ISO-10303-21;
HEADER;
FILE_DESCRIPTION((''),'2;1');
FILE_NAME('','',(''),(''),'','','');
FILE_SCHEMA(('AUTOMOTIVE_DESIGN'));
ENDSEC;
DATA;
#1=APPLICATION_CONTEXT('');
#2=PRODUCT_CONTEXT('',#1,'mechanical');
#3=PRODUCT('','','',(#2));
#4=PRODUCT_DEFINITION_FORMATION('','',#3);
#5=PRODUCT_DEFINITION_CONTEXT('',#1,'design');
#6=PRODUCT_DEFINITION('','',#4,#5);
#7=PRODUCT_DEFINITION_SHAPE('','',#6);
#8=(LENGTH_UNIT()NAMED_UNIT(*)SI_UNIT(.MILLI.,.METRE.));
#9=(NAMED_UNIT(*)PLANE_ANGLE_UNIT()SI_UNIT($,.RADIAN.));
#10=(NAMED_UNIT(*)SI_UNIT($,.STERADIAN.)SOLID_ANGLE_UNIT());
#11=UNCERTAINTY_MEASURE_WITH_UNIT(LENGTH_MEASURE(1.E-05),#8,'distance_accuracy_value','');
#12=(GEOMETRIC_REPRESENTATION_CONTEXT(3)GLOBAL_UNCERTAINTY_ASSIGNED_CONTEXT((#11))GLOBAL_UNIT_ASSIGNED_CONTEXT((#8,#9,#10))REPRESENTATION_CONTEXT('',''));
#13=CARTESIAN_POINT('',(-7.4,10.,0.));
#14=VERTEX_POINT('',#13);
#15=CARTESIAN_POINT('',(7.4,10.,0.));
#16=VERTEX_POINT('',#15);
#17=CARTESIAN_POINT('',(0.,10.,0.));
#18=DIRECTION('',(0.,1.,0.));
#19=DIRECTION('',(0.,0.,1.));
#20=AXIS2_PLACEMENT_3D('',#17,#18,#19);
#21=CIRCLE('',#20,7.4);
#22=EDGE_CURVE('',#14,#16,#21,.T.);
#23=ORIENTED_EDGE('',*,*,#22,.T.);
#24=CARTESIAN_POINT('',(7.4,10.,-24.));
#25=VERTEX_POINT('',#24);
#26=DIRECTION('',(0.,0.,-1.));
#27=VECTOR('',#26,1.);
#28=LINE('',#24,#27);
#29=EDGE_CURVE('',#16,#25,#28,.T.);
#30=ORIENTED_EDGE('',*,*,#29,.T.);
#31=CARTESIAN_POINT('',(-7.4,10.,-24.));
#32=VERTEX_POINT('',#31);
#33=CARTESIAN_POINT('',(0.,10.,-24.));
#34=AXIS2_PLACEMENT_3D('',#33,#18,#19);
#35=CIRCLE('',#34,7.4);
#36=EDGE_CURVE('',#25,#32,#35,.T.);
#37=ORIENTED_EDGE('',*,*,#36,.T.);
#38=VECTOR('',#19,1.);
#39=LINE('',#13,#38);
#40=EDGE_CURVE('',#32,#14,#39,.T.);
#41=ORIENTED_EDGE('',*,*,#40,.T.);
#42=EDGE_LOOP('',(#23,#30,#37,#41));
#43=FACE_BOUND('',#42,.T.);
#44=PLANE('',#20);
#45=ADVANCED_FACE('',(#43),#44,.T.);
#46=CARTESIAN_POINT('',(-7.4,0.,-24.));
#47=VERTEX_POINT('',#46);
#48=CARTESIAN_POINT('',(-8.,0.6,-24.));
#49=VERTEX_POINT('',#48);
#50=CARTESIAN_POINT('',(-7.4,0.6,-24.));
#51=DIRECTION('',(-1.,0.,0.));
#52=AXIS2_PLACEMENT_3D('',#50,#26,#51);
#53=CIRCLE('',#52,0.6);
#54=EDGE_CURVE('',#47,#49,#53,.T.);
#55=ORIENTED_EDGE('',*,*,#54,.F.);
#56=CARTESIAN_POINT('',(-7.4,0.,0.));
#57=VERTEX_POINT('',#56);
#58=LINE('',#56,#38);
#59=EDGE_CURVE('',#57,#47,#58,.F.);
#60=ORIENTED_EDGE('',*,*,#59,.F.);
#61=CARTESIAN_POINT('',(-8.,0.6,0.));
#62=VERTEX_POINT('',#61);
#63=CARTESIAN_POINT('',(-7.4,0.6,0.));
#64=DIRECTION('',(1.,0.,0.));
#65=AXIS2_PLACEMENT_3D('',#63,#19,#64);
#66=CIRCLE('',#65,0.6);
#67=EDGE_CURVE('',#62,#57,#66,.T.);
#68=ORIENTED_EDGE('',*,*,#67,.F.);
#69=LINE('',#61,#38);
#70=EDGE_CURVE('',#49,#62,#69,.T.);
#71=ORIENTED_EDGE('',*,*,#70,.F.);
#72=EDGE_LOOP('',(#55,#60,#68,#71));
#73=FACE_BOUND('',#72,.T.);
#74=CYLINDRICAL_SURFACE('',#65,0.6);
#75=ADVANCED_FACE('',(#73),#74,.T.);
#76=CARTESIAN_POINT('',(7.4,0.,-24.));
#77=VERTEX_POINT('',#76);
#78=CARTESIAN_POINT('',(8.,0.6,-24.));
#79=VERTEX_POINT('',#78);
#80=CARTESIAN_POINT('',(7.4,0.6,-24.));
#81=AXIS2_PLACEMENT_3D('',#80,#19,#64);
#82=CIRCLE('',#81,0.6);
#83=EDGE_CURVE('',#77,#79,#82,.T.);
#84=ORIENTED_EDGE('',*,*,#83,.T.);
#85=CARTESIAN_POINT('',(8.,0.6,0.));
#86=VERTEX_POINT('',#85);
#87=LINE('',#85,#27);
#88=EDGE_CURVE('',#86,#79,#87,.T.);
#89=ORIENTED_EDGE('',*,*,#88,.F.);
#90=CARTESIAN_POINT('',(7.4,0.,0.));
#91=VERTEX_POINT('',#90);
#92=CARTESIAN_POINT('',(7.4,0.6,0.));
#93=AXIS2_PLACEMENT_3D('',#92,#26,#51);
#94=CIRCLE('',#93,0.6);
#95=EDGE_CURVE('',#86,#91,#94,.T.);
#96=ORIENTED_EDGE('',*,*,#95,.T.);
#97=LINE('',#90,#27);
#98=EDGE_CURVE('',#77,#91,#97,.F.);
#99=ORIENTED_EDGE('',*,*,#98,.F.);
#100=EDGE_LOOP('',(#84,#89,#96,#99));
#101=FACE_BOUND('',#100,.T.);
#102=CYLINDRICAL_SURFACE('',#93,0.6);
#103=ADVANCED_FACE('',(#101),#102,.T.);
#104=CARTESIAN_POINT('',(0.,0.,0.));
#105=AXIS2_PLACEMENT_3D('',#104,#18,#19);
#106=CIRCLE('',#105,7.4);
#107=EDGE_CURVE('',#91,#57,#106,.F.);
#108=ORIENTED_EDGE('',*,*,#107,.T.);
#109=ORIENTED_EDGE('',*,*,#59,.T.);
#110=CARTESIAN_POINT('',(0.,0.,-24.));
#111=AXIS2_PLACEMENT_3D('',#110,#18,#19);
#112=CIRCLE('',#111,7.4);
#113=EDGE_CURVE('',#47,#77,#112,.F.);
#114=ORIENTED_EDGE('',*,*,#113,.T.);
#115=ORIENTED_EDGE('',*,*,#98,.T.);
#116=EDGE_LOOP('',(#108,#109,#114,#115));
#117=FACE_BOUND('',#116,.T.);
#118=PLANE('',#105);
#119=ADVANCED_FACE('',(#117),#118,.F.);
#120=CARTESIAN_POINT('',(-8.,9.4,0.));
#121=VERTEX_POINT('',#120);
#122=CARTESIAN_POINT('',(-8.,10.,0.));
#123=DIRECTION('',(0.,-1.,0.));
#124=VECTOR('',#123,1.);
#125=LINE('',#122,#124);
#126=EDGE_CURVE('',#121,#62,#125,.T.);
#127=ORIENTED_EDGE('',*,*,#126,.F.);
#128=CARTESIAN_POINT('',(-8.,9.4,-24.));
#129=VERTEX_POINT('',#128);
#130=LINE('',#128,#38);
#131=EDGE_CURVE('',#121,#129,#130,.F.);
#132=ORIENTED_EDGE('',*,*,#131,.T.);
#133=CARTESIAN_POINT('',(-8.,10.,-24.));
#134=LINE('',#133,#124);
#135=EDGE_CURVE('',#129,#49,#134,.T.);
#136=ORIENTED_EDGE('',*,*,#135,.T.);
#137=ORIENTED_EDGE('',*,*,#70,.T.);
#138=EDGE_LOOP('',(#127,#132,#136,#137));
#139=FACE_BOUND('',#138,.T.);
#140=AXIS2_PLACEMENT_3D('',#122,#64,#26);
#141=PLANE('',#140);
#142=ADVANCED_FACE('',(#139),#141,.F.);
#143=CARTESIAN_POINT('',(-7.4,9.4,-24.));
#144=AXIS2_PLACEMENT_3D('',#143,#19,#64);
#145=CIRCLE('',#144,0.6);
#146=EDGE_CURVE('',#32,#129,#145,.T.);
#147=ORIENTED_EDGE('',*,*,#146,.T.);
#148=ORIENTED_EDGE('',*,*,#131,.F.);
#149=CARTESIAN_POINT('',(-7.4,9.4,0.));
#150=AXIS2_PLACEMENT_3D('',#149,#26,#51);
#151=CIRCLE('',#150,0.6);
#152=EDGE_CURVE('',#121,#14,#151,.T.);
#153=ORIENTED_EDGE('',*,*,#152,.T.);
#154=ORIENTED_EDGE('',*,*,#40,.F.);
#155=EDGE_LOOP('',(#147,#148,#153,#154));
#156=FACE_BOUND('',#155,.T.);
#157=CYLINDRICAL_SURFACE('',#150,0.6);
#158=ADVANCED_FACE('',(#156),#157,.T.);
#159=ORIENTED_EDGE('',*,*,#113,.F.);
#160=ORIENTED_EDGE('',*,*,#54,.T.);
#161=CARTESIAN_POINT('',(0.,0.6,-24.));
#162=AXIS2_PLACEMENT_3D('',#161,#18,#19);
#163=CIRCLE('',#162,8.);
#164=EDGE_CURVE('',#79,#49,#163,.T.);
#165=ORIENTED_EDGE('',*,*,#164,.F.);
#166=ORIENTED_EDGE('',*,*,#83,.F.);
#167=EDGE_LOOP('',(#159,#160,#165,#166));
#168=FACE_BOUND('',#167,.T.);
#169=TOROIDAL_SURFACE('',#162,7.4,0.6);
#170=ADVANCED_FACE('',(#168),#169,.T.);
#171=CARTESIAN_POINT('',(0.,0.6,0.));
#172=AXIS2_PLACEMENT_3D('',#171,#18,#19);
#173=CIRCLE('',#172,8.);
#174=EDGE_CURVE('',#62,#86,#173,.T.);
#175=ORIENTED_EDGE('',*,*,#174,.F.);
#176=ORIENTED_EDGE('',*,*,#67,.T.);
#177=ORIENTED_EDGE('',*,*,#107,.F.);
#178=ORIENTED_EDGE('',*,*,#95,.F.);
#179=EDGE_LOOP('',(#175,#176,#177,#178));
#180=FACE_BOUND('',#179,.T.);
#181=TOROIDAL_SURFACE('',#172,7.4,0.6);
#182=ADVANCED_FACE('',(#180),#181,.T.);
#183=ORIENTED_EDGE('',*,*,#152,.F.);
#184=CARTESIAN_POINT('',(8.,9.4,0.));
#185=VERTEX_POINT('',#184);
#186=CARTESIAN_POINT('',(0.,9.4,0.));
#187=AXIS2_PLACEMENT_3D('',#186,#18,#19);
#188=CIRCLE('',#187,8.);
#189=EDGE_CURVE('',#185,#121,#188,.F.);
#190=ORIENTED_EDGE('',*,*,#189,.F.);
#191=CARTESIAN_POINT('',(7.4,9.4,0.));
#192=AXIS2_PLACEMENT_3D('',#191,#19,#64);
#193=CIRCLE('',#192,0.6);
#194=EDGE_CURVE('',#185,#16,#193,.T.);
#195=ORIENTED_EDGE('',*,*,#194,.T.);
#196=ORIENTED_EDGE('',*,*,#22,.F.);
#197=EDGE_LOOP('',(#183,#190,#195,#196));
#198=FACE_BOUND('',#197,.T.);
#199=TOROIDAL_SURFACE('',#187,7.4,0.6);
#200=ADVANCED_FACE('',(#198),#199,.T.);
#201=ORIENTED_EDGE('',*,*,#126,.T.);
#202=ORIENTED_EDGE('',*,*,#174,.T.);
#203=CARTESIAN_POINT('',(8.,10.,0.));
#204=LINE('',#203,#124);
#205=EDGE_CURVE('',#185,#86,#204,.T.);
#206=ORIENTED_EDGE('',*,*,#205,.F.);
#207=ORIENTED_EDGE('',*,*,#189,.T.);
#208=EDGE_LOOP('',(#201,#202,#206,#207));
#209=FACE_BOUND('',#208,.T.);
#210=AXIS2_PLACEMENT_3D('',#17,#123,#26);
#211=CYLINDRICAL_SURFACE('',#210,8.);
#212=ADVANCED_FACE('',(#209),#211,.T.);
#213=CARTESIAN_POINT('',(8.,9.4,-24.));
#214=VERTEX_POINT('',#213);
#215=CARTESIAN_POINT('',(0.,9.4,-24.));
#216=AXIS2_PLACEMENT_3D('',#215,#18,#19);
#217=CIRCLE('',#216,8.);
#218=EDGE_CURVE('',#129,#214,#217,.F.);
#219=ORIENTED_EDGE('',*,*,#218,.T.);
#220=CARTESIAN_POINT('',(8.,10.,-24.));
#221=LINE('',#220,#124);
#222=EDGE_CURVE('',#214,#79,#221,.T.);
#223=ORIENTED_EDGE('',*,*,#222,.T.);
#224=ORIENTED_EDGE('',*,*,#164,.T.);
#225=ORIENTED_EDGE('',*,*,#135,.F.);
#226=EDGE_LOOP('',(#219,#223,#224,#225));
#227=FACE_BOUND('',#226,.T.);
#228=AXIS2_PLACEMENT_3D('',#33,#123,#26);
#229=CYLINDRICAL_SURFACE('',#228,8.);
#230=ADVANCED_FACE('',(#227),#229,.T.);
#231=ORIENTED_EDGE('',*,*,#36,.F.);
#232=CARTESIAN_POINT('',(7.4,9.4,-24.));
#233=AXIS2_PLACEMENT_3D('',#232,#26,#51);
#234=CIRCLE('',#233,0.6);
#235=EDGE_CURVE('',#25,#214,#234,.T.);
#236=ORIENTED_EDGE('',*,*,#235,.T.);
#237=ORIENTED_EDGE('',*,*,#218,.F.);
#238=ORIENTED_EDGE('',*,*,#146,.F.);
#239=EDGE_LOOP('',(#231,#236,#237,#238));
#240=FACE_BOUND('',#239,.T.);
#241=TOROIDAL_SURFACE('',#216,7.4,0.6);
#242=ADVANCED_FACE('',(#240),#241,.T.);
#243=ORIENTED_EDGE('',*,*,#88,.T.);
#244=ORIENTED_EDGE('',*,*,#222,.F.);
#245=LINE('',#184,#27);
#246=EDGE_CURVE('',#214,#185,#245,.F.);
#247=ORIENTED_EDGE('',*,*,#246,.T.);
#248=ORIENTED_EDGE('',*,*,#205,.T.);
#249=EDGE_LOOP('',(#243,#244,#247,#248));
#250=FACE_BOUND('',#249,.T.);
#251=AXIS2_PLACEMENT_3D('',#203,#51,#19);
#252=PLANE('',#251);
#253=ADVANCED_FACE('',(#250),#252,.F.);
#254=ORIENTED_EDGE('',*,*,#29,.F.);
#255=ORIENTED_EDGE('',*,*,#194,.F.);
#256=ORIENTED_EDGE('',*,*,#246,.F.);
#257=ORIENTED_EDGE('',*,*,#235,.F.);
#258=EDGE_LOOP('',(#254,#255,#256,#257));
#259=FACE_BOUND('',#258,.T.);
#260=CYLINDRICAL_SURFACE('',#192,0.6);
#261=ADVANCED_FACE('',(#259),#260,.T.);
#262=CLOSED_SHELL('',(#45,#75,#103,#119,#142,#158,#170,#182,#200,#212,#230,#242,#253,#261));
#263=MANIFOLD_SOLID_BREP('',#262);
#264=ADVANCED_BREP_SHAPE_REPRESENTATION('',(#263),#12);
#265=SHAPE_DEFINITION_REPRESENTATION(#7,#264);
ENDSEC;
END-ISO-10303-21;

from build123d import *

# Parameters (mm, degrees)
EXTRUDE_1_DEPTH = 10
FILLET_1_R      = 0.6


with BuildPart() as part:
    # Эскиз1 → Бобышка-Вытянуть1 (new body)
    with BuildSketch(Plane(origin=(0, 0, 0), x_dir=(1, 0, 0), z_dir=(0, 1, 0))):
        with BuildLine():
            Line((-8, 0), (-8, 24))
            ThreePointArc((-8, 24), (0, 32), (8, 24))
            Line((8, 24), (8, 0))
            ThreePointArc((8, 0), (0, -8), (-8, 0))
        make_face()
    extrude(amount=EXTRUDE_1_DEPTH)

    # Скругление1
    fillet_1_edges = [part.edges().sort_by_distance(p)[0] for p in [
        (0, 10, -32),
        (-8, 10, -12),
        (0, 10, 8),
        (-8, 0, -12),
        (0, 0, -32),
        (8, 0, -12),
        (0, 0, 8),
        (8, 10, -12),
    ]]
    fillet(fillet_1_edges, radius=FILLET_1_R)


solid = part.part
